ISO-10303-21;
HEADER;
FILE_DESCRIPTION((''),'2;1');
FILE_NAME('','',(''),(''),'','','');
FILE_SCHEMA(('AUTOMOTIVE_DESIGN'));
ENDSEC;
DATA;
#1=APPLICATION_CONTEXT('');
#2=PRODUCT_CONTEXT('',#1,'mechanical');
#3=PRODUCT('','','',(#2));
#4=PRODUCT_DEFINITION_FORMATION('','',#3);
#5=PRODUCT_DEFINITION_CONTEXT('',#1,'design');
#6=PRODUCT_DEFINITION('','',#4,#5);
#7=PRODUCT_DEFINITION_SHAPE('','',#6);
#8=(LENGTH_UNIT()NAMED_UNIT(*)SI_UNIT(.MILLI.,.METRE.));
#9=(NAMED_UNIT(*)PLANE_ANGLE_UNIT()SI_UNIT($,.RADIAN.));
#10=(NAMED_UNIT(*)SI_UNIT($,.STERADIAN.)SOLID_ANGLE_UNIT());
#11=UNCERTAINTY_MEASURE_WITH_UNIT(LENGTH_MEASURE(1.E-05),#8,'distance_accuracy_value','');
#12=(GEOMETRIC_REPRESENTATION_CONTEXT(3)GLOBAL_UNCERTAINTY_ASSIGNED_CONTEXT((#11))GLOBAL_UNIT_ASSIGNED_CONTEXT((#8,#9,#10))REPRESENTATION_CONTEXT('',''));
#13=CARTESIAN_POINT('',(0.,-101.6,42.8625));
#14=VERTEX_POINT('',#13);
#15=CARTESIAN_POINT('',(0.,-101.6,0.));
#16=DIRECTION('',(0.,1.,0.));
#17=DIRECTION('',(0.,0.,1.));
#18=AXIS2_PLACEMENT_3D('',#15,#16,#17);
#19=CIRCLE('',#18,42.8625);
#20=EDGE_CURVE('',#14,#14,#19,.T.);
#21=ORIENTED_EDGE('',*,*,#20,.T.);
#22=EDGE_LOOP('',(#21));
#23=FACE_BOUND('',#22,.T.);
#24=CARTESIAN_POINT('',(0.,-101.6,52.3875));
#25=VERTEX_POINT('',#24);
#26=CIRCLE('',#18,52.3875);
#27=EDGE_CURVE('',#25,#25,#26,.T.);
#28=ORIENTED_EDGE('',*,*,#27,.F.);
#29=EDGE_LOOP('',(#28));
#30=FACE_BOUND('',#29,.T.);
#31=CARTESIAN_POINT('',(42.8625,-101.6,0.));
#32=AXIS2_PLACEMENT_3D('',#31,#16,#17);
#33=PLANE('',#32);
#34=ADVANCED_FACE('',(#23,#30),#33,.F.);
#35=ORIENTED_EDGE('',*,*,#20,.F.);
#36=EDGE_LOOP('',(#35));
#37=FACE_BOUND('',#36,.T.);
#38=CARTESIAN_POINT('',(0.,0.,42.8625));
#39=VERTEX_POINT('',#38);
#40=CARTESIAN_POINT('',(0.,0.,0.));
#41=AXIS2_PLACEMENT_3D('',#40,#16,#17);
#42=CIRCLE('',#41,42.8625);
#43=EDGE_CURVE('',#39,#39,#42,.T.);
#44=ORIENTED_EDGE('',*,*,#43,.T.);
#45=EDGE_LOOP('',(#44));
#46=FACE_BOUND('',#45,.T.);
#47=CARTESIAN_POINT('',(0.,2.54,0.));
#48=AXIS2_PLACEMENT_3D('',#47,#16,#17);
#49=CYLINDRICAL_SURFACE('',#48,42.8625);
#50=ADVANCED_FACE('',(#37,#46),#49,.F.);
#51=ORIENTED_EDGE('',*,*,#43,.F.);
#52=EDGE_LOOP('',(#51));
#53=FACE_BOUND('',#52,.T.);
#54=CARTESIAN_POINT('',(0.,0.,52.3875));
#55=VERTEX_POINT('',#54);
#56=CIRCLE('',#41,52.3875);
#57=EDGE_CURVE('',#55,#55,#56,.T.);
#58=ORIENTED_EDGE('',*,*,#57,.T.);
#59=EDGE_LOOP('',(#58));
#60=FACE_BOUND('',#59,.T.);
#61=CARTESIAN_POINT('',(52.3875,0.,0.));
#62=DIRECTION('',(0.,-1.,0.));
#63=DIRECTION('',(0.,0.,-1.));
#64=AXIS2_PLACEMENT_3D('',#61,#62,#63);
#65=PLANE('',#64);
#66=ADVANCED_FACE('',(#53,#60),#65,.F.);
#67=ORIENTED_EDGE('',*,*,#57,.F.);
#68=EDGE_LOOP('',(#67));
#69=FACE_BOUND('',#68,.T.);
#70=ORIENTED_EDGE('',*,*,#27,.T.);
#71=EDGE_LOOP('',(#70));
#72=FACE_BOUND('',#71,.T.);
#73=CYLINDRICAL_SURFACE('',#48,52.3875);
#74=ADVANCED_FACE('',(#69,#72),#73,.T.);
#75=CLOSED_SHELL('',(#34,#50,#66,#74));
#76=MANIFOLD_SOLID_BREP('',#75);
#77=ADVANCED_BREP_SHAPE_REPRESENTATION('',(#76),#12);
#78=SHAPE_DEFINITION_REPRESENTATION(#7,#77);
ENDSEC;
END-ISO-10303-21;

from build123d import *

# Parameters (mm, degrees)
SKETCH2_W = 9.525
SKETCH2_H = 101.6


with BuildPart() as part:
    # Sketch2 → Revolve1 (revolve)
    with BuildSketch(Plane.XY, mode=Mode.PRIVATE) as revolve1_sk:
        with Locations((47.625, -50.8)):
            Rectangle(SKETCH2_W, SKETCH2_H)
    revolve(revolve1_sk.sketch.rotate(Axis((0, 2.54, 0), (0, -1, 0)), 90), axis=Axis((0, 2.54, 0), (0, -1, 0)))


solid = part.part
